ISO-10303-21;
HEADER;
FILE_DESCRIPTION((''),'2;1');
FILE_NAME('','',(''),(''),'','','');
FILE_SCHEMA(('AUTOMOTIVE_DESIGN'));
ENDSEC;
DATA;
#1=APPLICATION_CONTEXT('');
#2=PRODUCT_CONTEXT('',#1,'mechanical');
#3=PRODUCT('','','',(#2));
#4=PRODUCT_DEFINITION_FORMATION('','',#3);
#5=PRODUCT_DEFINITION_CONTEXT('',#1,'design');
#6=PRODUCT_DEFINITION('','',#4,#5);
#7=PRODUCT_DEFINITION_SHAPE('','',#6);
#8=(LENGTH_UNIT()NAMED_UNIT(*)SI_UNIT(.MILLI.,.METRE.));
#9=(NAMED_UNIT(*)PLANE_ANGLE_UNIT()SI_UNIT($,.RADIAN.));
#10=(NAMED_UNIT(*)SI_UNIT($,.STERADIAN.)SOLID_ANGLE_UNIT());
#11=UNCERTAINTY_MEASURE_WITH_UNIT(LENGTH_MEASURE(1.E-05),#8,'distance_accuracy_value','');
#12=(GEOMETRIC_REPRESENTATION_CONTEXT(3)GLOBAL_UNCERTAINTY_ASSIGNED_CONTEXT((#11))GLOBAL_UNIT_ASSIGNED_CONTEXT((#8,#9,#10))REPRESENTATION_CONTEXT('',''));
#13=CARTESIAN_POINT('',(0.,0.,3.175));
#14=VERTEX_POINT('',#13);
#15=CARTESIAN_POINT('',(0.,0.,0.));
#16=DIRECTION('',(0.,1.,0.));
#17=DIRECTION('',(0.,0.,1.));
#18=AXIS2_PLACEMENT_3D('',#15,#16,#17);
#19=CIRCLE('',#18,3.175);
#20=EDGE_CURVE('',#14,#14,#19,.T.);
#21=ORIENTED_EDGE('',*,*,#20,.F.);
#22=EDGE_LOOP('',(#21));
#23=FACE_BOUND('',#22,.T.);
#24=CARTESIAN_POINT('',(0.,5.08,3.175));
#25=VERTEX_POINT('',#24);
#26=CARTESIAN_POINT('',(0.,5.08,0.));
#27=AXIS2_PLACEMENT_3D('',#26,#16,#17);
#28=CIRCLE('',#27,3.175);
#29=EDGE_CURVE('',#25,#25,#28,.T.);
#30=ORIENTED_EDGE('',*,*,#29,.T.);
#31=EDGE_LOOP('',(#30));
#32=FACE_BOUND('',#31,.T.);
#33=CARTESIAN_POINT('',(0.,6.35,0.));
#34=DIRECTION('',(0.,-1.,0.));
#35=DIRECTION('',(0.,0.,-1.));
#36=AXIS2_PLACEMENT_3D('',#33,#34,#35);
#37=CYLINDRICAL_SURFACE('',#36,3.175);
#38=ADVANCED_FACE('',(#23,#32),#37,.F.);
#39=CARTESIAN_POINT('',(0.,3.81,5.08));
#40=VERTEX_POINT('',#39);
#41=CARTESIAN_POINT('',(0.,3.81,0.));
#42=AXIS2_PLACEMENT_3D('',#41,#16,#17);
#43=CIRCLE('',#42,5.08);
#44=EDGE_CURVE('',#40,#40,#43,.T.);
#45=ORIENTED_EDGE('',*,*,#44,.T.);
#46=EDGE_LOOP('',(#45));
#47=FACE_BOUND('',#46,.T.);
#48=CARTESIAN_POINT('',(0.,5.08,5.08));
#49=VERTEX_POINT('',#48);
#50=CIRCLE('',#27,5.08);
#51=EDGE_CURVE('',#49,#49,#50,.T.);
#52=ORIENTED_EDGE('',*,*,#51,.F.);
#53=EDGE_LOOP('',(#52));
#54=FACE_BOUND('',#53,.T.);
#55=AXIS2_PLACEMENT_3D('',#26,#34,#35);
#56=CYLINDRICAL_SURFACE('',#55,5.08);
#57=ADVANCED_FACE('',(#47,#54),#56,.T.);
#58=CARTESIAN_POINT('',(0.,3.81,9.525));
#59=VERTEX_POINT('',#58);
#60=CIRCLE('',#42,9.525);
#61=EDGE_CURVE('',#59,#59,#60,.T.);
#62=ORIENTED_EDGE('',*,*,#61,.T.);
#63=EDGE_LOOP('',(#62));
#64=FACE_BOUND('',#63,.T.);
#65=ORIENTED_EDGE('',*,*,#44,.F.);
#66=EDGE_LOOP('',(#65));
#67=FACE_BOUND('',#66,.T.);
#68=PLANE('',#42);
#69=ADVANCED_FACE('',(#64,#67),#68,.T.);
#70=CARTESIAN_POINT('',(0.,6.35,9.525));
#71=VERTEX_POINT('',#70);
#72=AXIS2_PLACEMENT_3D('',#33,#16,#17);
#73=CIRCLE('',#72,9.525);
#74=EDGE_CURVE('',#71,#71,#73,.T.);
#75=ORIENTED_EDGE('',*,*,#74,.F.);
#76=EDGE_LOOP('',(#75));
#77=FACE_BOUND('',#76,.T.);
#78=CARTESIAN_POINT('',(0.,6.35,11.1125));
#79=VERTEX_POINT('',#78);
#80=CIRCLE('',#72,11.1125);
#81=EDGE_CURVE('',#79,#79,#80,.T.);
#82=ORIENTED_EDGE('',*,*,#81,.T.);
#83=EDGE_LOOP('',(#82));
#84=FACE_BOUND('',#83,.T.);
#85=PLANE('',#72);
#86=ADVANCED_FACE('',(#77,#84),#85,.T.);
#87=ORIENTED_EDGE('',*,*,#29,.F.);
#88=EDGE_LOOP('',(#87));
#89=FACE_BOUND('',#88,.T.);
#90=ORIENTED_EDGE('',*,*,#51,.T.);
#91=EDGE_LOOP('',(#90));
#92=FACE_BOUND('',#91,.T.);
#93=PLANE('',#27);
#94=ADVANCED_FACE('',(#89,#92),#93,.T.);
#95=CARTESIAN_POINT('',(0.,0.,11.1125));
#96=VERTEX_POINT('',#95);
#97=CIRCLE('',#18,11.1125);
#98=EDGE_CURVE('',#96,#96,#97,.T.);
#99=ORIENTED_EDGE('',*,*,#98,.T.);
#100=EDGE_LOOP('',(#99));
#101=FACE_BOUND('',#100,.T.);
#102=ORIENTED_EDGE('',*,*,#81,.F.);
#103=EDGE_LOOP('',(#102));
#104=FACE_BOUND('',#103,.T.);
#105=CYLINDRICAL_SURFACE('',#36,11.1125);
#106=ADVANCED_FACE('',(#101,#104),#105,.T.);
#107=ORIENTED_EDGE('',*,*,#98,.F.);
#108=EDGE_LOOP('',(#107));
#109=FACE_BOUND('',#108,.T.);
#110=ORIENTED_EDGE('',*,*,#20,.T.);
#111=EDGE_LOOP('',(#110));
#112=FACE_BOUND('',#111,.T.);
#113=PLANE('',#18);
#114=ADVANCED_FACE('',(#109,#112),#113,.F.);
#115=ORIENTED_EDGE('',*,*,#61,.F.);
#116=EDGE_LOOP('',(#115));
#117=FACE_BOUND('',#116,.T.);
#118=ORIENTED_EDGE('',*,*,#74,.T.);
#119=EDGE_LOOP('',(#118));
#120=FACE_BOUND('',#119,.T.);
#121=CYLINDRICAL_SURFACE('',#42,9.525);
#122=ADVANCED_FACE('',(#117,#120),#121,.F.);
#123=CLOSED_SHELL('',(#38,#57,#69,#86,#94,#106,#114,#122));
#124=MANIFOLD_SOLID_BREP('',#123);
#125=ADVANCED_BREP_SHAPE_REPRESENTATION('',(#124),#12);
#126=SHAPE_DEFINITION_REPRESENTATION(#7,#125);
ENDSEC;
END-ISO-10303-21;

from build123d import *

# Parameters (mm, degrees)
SKETCH3_R           = 11.1125
SKETCH3_R_2         = 3.175
BOSS_EXTRUDE1_DEPTH = 6.35
SKETCH4_R           = 9.525
CUT_EXTRUDE1_DEPTH  = 2.54
SKETCH5_R           = 5.08
SKETCH5_R_2         = 3.175
BOSS_EXTRUDE2_DEPTH = 1.27


with BuildPart() as part:
    # Sketch3 → Boss-Extrude1 (new body)
    with BuildSketch(Plane(origin=(0, 0, 0), x_dir=(1, 0, 0), z_dir=(0, 1, 0))):
        with Locations(Location((0, 0, 0), (0, 0, 270))):
            Circle(SKETCH3_R)
        with Locations(Location((0, 0, 0), (0, 0, 270))):
            Circle(SKETCH3_R_2, mode=Mode.SUBTRACT)
    extrude(amount=BOSS_EXTRUDE1_DEPTH)

    # Sketch4 → Cut-Extrude1 (cut)
    with BuildSketch(Plane(origin=(0, 6.35, 0), x_dir=(1, 0, 0), z_dir=(0, 1, 0))):
        with Locations(Location((0, 0, 0), (0, 0, 270))):
            Circle(SKETCH4_R)
    extrude(amount=-CUT_EXTRUDE1_DEPTH, mode=Mode.SUBTRACT)

    # Sketch5 → Boss-Extrude2 (add)
    with BuildSketch(Plane(origin=(0, 3.81, 0), x_dir=(1, 0, 0), z_dir=(0, 1, 0))):
        with Locations(Location((0, 0, 0), (0, 0, 270))):
            Circle(SKETCH5_R)
        with Locations(Location((0, 0, 0), (0, 0, 270))):
            Circle(SKETCH5_R_2, mode=Mode.SUBTRACT)
    extrude(amount=BOSS_EXTRUDE2_DEPTH)


solid = part.part
